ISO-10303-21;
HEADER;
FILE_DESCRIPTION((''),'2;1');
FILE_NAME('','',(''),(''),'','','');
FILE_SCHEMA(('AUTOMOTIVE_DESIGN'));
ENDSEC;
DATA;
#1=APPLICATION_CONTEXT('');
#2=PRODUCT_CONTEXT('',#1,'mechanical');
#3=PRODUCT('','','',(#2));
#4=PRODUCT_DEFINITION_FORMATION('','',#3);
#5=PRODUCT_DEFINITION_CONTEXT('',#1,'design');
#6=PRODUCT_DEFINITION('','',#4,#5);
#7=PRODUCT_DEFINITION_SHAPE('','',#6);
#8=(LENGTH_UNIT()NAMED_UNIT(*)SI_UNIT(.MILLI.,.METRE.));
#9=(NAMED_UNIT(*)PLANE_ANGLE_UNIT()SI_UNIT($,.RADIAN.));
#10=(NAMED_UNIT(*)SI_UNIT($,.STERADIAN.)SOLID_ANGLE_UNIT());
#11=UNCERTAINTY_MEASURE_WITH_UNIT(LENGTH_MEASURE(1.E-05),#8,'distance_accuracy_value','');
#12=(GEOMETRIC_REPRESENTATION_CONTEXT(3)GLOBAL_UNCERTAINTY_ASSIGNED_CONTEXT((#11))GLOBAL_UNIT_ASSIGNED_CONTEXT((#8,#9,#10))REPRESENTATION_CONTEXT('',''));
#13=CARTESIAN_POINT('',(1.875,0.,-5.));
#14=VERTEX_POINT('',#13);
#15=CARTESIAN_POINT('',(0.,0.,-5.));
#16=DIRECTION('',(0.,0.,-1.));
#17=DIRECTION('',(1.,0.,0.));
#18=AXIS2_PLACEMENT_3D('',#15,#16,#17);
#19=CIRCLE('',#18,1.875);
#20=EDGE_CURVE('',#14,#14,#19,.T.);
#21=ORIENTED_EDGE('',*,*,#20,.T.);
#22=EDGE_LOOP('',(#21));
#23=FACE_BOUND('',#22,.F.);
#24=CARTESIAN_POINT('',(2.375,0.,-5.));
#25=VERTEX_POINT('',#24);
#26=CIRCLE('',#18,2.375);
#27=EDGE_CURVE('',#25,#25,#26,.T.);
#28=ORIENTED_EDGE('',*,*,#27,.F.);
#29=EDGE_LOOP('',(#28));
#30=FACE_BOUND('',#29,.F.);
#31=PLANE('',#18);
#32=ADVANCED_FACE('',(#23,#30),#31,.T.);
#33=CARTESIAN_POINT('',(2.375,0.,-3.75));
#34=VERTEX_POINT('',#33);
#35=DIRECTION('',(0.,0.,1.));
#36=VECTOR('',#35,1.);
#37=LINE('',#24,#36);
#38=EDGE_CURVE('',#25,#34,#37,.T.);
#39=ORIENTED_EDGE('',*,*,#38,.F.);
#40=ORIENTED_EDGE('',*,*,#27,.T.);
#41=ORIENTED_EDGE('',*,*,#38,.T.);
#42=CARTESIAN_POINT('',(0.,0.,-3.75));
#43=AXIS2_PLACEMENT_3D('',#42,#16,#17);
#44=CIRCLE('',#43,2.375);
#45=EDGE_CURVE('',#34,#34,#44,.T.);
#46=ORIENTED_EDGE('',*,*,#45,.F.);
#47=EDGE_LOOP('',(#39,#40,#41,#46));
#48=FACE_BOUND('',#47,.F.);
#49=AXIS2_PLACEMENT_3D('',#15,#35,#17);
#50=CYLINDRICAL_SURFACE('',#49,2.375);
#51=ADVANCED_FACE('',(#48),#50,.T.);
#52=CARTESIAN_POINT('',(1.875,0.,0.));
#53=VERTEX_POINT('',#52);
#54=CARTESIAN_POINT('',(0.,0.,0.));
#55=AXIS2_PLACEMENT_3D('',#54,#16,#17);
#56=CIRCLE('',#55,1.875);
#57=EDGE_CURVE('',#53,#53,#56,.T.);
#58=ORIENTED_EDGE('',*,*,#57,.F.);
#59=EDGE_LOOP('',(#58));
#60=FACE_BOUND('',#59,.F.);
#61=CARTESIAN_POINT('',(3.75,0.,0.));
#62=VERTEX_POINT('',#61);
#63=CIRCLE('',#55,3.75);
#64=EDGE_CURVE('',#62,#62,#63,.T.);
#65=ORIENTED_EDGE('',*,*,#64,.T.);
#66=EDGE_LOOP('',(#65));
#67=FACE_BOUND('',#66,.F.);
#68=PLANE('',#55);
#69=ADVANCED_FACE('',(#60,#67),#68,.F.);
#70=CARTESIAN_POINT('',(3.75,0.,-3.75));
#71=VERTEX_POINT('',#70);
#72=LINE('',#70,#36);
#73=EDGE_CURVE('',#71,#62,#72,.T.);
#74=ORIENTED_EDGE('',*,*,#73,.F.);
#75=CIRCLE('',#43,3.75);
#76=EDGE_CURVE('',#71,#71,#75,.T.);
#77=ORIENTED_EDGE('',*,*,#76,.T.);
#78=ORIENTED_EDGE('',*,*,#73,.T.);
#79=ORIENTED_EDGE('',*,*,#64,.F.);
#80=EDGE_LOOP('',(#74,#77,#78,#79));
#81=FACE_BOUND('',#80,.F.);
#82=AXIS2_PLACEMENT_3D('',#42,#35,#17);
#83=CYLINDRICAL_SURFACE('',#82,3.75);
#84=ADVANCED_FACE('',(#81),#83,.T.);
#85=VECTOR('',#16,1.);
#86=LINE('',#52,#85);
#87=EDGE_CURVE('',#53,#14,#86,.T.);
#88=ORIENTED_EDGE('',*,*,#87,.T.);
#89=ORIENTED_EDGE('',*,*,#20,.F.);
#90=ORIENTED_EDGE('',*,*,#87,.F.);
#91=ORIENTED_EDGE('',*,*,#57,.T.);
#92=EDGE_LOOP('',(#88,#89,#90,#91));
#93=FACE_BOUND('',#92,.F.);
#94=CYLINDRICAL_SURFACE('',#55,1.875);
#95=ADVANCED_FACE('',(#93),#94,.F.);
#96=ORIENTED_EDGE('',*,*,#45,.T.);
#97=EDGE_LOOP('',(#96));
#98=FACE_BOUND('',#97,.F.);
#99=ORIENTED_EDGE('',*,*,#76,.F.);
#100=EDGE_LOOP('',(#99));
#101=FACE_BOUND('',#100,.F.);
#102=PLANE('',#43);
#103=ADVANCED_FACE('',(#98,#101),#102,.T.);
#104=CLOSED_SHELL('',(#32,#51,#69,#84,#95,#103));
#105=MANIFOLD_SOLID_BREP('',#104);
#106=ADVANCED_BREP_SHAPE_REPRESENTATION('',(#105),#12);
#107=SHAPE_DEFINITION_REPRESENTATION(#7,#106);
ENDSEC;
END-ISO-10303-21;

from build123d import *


with BuildPart() as part:
    # Sketch1 → Revolve1 (revolve)
    with BuildSketch(Plane(origin=(0, 0, 0), x_dir=(1, 0, 0), z_dir=(0, 1, 0))):
        Polygon((2.375, 5), (2.375, 3.75), (3.75, 3.75), (3.75, 0), (1.875, 0), (1.875, 5), align=None)
    revolve(axis=Axis((0, 0, 0), (0, 0, -1)))


solid = part.part
